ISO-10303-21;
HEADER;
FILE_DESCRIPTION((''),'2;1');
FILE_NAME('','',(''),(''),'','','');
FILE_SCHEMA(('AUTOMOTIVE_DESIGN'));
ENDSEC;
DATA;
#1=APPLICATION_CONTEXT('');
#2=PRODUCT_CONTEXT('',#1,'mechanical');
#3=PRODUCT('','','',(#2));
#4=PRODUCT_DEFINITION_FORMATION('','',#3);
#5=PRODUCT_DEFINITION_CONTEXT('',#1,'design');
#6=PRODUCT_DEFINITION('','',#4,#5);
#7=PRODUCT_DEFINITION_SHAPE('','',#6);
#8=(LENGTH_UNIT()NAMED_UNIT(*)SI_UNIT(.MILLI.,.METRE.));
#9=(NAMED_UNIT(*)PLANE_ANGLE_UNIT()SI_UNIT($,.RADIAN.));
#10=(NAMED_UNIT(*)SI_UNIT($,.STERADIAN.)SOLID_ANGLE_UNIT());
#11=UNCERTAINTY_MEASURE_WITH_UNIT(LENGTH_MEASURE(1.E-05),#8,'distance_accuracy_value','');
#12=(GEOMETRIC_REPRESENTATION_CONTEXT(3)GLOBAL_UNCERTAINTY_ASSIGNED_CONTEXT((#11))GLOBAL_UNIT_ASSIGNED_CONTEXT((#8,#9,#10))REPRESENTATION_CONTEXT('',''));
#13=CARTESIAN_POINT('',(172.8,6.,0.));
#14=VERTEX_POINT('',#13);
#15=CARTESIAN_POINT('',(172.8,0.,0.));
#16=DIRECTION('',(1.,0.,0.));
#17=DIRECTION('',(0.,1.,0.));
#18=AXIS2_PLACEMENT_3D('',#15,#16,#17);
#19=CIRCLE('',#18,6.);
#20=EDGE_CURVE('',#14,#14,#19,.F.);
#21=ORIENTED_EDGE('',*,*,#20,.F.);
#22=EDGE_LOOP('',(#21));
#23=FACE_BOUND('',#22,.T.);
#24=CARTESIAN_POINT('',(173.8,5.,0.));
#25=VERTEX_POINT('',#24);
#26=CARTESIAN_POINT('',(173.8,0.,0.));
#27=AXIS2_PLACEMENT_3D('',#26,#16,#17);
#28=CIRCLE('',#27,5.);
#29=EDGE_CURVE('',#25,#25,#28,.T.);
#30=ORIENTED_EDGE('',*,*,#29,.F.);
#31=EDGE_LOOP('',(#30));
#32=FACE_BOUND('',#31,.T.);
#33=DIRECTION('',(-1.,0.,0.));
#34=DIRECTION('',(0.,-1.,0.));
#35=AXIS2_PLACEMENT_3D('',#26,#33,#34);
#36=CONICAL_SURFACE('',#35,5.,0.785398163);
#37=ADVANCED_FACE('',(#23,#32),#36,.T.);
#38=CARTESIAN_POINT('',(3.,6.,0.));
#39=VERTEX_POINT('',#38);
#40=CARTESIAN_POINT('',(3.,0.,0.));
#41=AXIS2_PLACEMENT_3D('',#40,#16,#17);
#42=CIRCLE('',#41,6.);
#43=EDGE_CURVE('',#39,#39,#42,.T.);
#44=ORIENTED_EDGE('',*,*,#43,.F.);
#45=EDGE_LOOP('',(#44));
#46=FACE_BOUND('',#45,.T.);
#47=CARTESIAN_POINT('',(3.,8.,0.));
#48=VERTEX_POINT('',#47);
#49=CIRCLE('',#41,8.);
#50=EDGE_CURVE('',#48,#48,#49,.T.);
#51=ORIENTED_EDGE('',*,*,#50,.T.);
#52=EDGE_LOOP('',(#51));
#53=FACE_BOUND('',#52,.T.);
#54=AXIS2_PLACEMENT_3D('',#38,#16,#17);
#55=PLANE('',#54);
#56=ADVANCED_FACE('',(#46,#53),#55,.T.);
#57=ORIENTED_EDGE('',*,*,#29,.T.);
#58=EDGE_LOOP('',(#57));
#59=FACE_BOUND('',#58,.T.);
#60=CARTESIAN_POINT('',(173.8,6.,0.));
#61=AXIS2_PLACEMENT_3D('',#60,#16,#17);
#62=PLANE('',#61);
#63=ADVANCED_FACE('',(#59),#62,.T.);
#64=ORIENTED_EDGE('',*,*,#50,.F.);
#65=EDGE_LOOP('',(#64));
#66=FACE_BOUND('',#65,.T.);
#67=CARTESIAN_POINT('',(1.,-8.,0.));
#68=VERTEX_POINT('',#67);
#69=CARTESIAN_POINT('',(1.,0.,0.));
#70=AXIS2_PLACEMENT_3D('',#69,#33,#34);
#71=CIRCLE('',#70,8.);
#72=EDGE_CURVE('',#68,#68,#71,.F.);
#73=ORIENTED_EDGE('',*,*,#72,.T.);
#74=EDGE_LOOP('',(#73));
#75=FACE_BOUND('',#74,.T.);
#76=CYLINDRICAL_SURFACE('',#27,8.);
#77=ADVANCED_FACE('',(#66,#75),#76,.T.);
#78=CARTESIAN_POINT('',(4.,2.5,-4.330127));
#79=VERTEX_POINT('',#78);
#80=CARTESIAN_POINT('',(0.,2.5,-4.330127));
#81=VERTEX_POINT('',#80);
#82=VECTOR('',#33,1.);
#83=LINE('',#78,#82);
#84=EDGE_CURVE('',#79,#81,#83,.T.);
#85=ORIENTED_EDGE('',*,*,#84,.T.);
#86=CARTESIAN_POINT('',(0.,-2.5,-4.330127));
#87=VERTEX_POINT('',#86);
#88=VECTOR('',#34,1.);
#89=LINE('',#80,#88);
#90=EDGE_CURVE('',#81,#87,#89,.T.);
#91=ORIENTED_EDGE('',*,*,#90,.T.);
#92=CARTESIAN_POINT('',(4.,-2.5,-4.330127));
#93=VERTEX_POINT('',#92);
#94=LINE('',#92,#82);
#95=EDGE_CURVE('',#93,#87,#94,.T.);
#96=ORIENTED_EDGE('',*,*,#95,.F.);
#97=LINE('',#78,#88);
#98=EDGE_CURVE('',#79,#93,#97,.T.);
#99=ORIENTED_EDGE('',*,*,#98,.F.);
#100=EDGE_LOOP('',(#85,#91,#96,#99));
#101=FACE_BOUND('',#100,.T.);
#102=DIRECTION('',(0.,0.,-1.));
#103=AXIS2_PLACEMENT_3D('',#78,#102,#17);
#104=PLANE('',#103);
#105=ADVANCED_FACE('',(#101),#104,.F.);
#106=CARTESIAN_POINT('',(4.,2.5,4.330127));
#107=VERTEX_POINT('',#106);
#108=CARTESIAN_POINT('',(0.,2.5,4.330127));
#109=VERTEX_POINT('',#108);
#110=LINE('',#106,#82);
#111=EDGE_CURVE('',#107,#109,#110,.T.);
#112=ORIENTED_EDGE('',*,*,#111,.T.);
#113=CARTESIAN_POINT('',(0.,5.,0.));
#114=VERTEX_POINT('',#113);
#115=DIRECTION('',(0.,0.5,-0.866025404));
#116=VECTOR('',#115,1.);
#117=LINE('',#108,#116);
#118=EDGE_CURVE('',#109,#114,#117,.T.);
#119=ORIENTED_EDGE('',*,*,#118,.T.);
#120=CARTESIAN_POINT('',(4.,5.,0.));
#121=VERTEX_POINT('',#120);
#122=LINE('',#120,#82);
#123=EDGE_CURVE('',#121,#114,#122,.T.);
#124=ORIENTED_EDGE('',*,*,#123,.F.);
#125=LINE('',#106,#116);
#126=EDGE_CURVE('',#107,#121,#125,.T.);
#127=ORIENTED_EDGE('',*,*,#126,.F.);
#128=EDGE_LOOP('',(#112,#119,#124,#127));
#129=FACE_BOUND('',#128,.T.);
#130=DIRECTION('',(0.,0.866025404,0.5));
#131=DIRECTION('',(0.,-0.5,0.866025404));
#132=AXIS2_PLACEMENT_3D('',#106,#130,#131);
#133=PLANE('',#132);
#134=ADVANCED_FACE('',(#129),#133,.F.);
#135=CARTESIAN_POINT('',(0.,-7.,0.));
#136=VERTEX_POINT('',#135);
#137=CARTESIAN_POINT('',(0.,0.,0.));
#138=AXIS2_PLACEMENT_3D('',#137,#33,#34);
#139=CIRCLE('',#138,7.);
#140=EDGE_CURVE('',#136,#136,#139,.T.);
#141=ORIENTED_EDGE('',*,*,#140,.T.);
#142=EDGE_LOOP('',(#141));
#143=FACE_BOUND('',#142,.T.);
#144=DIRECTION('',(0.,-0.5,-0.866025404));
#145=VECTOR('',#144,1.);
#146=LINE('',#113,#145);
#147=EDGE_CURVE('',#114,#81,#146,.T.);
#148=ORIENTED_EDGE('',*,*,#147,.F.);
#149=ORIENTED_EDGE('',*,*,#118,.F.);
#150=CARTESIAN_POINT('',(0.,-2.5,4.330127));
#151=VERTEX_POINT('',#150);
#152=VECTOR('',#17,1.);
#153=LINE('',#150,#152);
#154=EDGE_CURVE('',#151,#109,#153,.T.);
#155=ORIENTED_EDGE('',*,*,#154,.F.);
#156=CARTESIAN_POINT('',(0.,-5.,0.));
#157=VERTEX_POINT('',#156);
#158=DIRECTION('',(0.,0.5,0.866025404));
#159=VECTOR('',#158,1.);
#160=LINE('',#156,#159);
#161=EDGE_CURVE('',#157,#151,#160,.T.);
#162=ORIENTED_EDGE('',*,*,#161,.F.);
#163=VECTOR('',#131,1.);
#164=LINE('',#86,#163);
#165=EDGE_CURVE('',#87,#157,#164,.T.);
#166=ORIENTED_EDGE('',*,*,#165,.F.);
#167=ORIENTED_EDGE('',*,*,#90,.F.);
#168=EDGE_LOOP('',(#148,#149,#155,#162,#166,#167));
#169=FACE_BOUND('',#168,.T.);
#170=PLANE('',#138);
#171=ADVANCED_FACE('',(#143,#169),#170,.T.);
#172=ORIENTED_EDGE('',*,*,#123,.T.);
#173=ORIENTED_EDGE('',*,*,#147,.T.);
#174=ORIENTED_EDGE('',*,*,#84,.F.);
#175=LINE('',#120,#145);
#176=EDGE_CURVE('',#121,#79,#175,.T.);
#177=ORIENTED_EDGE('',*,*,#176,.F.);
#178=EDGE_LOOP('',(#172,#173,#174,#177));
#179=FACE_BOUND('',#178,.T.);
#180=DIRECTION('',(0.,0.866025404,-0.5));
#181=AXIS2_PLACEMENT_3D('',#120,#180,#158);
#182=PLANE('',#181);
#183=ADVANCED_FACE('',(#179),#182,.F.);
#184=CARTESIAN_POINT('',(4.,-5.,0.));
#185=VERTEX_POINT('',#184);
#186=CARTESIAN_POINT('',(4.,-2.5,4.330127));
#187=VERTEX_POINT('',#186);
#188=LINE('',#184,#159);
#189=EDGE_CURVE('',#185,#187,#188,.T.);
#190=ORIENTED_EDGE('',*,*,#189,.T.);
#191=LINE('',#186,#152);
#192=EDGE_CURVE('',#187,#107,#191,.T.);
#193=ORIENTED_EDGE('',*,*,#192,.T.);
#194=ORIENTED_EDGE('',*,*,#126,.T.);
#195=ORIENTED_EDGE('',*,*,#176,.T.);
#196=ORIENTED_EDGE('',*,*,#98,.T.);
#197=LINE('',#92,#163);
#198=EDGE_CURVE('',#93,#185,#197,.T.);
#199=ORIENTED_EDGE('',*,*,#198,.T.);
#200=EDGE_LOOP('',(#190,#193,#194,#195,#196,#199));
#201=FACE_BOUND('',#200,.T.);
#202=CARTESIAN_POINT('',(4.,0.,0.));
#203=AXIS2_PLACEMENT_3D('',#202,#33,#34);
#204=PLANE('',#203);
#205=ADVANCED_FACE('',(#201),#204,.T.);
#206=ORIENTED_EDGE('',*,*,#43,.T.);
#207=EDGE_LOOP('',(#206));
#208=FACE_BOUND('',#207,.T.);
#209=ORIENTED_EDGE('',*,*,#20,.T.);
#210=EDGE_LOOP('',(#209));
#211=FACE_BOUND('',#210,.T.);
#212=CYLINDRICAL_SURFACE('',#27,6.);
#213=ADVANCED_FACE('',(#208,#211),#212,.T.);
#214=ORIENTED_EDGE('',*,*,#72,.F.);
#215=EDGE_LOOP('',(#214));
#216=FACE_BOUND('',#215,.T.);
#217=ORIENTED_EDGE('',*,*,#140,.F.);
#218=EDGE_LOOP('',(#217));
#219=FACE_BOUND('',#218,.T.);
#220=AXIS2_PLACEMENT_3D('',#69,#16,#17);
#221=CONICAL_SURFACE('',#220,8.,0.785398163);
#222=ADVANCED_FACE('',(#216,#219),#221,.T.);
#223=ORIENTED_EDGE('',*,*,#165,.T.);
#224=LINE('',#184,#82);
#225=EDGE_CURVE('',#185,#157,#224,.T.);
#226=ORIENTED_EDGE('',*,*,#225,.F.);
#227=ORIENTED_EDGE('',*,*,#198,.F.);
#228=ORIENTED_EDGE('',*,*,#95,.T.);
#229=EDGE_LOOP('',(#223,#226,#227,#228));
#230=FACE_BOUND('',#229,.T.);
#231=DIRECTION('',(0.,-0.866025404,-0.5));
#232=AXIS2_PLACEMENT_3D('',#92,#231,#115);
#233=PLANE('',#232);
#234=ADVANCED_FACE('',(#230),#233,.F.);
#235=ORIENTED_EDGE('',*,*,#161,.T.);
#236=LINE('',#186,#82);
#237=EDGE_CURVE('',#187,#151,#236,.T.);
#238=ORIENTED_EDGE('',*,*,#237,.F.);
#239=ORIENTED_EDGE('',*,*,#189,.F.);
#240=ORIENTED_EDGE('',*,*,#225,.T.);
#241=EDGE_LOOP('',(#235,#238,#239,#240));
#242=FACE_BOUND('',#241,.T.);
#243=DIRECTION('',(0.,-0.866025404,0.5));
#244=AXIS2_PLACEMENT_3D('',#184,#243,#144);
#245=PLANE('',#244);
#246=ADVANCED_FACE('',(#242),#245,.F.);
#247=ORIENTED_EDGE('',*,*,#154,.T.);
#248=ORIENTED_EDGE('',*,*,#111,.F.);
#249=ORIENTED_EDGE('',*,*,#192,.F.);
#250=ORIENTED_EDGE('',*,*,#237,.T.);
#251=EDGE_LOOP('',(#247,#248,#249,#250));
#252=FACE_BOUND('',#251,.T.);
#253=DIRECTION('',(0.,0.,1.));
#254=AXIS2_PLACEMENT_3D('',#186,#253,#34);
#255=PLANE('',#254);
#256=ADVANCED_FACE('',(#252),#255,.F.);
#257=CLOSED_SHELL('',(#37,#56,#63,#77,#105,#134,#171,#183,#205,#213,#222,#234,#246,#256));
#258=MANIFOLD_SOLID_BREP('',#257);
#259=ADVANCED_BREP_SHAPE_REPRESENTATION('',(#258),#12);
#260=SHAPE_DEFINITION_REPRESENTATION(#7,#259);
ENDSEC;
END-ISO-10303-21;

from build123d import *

# Parameters (mm, degrees)
CUT_EXTRUDE1_DEPTH = 4
CHAMFER1_SIZE      = 1


with BuildPart() as part:
    # Sketch1 → Revolve1 (revolve)
    with BuildSketch(Plane.XY):
        Polygon((0, 0), (0, 8), (3, 8), (3, 6), (173.8, 6), (173.8, 0), align=None)
    revolve(axis=Axis((173.8, 0, 0), (-1, 0, 0)))

    # Sketch2 → Cut-Extrude1 (cut)
    with BuildSketch(Plane.ZY):
        Polygon((0, 5), (-4.330127019, 2.5), (-4.330127019, -2.5), (0, -5), (4.330127019, -2.5), (4.330127019, 2.5), align=None)
    extrude(amount=-CUT_EXTRUDE1_DEPTH, mode=Mode.SUBTRACT)

    # Chamfer1
    chamfer1_edges = [part.edges().sort_by_distance(p)[0] for p in [
        (173.8, -6, 0),
        (0, -8, 0),
    ]]
    chamfer(chamfer1_edges, length=CHAMFER1_SIZE)


solid = part.part
